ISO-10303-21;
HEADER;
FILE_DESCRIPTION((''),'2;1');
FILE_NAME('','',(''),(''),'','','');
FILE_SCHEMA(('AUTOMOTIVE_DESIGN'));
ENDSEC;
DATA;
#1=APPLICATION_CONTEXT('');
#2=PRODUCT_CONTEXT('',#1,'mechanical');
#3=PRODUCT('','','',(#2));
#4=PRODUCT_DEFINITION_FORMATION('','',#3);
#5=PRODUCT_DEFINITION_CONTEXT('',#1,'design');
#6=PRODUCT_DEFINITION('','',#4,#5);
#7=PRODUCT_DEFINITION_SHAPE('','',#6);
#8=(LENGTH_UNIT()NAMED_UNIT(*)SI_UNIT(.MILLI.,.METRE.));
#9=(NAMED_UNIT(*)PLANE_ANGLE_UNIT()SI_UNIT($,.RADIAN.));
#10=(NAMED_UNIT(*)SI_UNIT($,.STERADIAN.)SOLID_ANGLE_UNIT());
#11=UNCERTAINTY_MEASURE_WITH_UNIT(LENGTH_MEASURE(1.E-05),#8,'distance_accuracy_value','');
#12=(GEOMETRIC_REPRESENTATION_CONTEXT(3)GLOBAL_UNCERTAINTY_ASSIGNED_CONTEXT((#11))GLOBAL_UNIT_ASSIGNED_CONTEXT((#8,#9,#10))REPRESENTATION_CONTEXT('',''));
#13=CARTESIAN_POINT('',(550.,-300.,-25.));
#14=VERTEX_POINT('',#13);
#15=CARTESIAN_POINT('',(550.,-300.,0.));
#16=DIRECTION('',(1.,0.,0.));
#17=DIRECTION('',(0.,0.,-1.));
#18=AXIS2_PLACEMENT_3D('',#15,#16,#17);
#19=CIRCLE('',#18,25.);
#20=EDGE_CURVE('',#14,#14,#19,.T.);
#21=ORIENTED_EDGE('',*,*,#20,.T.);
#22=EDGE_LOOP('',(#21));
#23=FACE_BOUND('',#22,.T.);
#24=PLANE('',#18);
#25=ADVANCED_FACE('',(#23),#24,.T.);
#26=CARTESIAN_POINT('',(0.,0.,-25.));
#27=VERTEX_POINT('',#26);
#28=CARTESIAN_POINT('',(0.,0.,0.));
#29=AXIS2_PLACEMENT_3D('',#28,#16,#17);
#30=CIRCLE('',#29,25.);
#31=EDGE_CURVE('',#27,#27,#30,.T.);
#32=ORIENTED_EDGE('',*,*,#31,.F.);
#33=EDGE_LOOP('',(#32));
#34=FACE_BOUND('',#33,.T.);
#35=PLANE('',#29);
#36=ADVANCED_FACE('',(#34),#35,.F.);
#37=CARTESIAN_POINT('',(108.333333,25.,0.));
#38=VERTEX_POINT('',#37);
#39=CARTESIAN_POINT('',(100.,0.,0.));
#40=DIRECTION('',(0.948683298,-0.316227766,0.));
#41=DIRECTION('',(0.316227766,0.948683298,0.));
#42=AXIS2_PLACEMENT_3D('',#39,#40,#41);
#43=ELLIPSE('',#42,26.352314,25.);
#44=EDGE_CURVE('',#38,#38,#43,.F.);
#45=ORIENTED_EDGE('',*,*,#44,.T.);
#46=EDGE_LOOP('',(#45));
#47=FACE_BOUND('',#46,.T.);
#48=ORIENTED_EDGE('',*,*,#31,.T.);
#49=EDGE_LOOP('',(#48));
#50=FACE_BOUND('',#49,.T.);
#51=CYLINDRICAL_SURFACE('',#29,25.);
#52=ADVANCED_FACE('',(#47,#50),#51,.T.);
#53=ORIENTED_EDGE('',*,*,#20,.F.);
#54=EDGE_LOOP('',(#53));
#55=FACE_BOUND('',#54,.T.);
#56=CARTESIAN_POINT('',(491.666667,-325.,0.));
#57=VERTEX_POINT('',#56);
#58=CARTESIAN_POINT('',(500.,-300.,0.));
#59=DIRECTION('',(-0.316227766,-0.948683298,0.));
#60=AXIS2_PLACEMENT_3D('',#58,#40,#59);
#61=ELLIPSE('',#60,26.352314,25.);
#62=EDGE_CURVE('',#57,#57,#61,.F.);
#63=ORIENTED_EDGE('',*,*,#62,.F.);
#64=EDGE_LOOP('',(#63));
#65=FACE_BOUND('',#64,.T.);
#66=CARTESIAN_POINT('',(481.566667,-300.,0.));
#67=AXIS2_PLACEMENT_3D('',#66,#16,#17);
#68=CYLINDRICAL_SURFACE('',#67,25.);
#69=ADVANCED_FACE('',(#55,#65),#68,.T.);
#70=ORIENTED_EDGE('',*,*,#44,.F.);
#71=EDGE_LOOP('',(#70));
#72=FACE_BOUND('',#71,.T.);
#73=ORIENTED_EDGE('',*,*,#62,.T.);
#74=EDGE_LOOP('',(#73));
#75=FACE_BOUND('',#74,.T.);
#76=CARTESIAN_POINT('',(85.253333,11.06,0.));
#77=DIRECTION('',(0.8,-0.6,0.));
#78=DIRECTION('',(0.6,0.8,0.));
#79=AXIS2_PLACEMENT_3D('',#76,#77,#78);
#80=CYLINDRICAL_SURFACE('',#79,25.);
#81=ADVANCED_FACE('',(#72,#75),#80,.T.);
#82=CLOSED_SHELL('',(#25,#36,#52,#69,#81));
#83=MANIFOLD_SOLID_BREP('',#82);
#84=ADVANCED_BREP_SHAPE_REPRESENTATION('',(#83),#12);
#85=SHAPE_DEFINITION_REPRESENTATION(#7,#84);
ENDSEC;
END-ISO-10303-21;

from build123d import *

# Parameters (mm, degrees)
SKETCH1_R = 25


with BuildPart() as part:
    # Sweep1: sweep along a path in Sketch2
    with BuildLine(Plane.XY) as sweep1_path:
        Line((0, 0), (100, 0))
        Line((100, 0), (500, -300))
        Line((500, -300), (550, -300))
    # Sketch1 → Sweep1 (sweep)
    with BuildSketch(Plane(origin=(0, 0, 0), x_dir=(0, 0, -1), z_dir=(1, 0, 0))):
        Circle(SKETCH1_R)
    sweep(path=sweep1_path.line, transition=Transition.RIGHT)


solid = part.part
